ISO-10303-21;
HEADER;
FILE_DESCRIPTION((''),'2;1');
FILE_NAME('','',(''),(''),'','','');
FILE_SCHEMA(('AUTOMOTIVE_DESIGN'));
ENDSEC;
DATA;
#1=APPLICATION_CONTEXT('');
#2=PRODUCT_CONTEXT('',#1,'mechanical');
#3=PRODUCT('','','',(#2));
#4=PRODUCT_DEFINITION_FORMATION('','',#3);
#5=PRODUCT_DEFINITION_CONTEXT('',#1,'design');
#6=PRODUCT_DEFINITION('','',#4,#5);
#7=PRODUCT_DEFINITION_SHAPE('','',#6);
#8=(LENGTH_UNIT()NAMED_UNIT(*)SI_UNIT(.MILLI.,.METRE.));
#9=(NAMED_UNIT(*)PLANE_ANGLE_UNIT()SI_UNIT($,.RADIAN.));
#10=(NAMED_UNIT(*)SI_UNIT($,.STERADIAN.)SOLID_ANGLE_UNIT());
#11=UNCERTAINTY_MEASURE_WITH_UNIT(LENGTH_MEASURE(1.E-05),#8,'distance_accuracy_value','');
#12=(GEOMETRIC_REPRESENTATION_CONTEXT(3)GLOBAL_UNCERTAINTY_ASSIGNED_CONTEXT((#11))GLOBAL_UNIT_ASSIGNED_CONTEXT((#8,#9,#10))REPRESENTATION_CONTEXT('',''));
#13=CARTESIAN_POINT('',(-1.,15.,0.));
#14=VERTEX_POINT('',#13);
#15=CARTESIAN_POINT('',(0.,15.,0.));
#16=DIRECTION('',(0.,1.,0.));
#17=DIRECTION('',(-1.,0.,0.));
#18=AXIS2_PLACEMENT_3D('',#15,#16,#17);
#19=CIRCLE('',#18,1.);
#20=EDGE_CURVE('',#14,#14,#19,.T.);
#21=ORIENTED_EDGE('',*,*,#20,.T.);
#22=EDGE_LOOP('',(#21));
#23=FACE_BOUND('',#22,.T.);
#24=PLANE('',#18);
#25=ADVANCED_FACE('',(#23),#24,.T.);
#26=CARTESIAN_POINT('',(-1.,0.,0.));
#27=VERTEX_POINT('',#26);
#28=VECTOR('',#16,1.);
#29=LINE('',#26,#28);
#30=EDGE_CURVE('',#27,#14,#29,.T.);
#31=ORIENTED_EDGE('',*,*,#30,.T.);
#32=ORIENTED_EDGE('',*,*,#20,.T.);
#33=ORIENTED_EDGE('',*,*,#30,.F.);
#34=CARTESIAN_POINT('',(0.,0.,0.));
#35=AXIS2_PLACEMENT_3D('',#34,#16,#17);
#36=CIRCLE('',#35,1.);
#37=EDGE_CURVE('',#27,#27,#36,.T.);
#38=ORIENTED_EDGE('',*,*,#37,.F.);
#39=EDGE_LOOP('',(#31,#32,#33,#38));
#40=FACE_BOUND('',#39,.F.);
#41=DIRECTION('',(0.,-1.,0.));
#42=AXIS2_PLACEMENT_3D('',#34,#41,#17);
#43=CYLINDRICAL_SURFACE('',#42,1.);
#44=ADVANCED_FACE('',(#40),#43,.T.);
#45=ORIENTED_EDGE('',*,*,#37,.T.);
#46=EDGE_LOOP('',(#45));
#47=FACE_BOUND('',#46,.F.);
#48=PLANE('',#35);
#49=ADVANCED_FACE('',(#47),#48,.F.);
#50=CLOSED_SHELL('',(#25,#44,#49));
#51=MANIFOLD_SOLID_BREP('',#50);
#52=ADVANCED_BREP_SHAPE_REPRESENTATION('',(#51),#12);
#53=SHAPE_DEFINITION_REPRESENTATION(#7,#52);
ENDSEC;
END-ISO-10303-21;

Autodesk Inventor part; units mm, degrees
ref_plane "YZ Plane" through (0, 0, 0) normal (1, 0, 0) x (0, 1, 0)
ref_plane "XZ Plane" through (0, 0, 0) normal (0, 1, 0) x (-1, 0, 0)
ref_plane "XY Plane" through (0, 0, 0) normal (0, 0, 1) x (1, 0, 0)
sketch "Sketch1" plane through (0, 0, 0) normal (0, 1, 0) x (-1, 0, 0)
  circle A0 centre (0, 0) radius 1
  dimension "d0" = 2
extrude "Extrusion1" add sketch "Sketch1" along normal blind 15
properties part number "5P.00.21.01-IB-VTP-Servo-Front-Retaining-Rod"
